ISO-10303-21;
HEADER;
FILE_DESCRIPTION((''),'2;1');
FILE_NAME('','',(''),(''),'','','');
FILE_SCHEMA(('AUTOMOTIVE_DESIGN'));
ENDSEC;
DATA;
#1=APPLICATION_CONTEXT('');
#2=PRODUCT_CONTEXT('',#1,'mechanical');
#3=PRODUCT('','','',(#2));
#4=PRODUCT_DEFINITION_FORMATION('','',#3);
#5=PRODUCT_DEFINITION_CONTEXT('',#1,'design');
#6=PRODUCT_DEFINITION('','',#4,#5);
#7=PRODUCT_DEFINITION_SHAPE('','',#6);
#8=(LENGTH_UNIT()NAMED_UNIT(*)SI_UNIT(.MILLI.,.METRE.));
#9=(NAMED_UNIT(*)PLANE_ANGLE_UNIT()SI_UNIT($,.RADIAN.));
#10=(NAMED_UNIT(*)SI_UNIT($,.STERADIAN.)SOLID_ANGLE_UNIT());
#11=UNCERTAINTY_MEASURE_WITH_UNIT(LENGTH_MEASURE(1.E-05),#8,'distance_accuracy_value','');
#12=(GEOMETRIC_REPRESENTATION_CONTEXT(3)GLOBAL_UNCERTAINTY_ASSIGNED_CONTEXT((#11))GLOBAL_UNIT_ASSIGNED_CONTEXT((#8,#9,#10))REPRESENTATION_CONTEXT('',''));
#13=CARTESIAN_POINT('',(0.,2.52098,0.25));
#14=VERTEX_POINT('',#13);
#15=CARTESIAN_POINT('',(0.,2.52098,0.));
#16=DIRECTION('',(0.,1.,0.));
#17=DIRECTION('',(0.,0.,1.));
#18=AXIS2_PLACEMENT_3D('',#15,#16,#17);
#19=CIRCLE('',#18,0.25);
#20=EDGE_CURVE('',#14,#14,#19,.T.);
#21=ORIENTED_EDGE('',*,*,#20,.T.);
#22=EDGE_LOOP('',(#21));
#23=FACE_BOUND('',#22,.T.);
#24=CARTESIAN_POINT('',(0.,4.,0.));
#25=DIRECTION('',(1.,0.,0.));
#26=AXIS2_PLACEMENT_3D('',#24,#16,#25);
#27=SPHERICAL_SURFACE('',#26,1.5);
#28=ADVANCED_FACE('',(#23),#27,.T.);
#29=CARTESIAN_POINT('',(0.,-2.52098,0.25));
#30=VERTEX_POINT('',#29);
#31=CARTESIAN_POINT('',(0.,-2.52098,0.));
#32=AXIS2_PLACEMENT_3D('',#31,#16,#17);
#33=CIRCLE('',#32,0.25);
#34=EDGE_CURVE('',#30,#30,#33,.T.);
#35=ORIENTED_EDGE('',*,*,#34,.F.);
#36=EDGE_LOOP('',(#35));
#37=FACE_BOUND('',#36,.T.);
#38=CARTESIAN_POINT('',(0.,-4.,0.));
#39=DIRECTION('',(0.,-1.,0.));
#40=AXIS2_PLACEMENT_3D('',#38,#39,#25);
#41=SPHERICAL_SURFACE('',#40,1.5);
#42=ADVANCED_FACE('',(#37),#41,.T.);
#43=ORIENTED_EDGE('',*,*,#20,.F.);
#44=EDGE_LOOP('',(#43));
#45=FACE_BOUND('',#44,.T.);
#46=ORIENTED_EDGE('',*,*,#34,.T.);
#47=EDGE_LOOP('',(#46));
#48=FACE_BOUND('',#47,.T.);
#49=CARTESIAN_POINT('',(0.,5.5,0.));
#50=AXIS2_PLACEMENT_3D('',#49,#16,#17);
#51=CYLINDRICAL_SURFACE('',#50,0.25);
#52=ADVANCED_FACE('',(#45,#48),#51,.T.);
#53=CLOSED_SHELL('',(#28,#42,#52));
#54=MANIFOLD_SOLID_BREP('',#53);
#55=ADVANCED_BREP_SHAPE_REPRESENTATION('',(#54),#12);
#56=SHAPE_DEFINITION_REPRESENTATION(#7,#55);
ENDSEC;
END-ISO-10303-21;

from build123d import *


with BuildPart() as part:
    # Sketch1 → Revolve1 (revolve)
    with BuildSketch(Plane.XY, mode=Mode.PRIVATE) as revolve1_sk:
        with BuildLine():
            Line((0, 0), (0.25, 0))
            Line((0.25, 0), (0.25, 2.520980054))
            ThreePointArc((0.25, 2.520980054), (1.494745784, 4.12543939), (0, 5.5))
            Line((0, 5.5), (0, 0))
        make_face()
    revolve(revolve1_sk.sketch.rotate(Axis((0, 5.5, 0), (0, -1, 0)), 90), axis=Axis((0, 5.5, 0), (0, -1, 0)))

    # Mirror1: part across plane


with BuildPart() as part_1:
    add(part.part)
    add(part.part.mirror(Plane.ZX))


solid = part_1.part
